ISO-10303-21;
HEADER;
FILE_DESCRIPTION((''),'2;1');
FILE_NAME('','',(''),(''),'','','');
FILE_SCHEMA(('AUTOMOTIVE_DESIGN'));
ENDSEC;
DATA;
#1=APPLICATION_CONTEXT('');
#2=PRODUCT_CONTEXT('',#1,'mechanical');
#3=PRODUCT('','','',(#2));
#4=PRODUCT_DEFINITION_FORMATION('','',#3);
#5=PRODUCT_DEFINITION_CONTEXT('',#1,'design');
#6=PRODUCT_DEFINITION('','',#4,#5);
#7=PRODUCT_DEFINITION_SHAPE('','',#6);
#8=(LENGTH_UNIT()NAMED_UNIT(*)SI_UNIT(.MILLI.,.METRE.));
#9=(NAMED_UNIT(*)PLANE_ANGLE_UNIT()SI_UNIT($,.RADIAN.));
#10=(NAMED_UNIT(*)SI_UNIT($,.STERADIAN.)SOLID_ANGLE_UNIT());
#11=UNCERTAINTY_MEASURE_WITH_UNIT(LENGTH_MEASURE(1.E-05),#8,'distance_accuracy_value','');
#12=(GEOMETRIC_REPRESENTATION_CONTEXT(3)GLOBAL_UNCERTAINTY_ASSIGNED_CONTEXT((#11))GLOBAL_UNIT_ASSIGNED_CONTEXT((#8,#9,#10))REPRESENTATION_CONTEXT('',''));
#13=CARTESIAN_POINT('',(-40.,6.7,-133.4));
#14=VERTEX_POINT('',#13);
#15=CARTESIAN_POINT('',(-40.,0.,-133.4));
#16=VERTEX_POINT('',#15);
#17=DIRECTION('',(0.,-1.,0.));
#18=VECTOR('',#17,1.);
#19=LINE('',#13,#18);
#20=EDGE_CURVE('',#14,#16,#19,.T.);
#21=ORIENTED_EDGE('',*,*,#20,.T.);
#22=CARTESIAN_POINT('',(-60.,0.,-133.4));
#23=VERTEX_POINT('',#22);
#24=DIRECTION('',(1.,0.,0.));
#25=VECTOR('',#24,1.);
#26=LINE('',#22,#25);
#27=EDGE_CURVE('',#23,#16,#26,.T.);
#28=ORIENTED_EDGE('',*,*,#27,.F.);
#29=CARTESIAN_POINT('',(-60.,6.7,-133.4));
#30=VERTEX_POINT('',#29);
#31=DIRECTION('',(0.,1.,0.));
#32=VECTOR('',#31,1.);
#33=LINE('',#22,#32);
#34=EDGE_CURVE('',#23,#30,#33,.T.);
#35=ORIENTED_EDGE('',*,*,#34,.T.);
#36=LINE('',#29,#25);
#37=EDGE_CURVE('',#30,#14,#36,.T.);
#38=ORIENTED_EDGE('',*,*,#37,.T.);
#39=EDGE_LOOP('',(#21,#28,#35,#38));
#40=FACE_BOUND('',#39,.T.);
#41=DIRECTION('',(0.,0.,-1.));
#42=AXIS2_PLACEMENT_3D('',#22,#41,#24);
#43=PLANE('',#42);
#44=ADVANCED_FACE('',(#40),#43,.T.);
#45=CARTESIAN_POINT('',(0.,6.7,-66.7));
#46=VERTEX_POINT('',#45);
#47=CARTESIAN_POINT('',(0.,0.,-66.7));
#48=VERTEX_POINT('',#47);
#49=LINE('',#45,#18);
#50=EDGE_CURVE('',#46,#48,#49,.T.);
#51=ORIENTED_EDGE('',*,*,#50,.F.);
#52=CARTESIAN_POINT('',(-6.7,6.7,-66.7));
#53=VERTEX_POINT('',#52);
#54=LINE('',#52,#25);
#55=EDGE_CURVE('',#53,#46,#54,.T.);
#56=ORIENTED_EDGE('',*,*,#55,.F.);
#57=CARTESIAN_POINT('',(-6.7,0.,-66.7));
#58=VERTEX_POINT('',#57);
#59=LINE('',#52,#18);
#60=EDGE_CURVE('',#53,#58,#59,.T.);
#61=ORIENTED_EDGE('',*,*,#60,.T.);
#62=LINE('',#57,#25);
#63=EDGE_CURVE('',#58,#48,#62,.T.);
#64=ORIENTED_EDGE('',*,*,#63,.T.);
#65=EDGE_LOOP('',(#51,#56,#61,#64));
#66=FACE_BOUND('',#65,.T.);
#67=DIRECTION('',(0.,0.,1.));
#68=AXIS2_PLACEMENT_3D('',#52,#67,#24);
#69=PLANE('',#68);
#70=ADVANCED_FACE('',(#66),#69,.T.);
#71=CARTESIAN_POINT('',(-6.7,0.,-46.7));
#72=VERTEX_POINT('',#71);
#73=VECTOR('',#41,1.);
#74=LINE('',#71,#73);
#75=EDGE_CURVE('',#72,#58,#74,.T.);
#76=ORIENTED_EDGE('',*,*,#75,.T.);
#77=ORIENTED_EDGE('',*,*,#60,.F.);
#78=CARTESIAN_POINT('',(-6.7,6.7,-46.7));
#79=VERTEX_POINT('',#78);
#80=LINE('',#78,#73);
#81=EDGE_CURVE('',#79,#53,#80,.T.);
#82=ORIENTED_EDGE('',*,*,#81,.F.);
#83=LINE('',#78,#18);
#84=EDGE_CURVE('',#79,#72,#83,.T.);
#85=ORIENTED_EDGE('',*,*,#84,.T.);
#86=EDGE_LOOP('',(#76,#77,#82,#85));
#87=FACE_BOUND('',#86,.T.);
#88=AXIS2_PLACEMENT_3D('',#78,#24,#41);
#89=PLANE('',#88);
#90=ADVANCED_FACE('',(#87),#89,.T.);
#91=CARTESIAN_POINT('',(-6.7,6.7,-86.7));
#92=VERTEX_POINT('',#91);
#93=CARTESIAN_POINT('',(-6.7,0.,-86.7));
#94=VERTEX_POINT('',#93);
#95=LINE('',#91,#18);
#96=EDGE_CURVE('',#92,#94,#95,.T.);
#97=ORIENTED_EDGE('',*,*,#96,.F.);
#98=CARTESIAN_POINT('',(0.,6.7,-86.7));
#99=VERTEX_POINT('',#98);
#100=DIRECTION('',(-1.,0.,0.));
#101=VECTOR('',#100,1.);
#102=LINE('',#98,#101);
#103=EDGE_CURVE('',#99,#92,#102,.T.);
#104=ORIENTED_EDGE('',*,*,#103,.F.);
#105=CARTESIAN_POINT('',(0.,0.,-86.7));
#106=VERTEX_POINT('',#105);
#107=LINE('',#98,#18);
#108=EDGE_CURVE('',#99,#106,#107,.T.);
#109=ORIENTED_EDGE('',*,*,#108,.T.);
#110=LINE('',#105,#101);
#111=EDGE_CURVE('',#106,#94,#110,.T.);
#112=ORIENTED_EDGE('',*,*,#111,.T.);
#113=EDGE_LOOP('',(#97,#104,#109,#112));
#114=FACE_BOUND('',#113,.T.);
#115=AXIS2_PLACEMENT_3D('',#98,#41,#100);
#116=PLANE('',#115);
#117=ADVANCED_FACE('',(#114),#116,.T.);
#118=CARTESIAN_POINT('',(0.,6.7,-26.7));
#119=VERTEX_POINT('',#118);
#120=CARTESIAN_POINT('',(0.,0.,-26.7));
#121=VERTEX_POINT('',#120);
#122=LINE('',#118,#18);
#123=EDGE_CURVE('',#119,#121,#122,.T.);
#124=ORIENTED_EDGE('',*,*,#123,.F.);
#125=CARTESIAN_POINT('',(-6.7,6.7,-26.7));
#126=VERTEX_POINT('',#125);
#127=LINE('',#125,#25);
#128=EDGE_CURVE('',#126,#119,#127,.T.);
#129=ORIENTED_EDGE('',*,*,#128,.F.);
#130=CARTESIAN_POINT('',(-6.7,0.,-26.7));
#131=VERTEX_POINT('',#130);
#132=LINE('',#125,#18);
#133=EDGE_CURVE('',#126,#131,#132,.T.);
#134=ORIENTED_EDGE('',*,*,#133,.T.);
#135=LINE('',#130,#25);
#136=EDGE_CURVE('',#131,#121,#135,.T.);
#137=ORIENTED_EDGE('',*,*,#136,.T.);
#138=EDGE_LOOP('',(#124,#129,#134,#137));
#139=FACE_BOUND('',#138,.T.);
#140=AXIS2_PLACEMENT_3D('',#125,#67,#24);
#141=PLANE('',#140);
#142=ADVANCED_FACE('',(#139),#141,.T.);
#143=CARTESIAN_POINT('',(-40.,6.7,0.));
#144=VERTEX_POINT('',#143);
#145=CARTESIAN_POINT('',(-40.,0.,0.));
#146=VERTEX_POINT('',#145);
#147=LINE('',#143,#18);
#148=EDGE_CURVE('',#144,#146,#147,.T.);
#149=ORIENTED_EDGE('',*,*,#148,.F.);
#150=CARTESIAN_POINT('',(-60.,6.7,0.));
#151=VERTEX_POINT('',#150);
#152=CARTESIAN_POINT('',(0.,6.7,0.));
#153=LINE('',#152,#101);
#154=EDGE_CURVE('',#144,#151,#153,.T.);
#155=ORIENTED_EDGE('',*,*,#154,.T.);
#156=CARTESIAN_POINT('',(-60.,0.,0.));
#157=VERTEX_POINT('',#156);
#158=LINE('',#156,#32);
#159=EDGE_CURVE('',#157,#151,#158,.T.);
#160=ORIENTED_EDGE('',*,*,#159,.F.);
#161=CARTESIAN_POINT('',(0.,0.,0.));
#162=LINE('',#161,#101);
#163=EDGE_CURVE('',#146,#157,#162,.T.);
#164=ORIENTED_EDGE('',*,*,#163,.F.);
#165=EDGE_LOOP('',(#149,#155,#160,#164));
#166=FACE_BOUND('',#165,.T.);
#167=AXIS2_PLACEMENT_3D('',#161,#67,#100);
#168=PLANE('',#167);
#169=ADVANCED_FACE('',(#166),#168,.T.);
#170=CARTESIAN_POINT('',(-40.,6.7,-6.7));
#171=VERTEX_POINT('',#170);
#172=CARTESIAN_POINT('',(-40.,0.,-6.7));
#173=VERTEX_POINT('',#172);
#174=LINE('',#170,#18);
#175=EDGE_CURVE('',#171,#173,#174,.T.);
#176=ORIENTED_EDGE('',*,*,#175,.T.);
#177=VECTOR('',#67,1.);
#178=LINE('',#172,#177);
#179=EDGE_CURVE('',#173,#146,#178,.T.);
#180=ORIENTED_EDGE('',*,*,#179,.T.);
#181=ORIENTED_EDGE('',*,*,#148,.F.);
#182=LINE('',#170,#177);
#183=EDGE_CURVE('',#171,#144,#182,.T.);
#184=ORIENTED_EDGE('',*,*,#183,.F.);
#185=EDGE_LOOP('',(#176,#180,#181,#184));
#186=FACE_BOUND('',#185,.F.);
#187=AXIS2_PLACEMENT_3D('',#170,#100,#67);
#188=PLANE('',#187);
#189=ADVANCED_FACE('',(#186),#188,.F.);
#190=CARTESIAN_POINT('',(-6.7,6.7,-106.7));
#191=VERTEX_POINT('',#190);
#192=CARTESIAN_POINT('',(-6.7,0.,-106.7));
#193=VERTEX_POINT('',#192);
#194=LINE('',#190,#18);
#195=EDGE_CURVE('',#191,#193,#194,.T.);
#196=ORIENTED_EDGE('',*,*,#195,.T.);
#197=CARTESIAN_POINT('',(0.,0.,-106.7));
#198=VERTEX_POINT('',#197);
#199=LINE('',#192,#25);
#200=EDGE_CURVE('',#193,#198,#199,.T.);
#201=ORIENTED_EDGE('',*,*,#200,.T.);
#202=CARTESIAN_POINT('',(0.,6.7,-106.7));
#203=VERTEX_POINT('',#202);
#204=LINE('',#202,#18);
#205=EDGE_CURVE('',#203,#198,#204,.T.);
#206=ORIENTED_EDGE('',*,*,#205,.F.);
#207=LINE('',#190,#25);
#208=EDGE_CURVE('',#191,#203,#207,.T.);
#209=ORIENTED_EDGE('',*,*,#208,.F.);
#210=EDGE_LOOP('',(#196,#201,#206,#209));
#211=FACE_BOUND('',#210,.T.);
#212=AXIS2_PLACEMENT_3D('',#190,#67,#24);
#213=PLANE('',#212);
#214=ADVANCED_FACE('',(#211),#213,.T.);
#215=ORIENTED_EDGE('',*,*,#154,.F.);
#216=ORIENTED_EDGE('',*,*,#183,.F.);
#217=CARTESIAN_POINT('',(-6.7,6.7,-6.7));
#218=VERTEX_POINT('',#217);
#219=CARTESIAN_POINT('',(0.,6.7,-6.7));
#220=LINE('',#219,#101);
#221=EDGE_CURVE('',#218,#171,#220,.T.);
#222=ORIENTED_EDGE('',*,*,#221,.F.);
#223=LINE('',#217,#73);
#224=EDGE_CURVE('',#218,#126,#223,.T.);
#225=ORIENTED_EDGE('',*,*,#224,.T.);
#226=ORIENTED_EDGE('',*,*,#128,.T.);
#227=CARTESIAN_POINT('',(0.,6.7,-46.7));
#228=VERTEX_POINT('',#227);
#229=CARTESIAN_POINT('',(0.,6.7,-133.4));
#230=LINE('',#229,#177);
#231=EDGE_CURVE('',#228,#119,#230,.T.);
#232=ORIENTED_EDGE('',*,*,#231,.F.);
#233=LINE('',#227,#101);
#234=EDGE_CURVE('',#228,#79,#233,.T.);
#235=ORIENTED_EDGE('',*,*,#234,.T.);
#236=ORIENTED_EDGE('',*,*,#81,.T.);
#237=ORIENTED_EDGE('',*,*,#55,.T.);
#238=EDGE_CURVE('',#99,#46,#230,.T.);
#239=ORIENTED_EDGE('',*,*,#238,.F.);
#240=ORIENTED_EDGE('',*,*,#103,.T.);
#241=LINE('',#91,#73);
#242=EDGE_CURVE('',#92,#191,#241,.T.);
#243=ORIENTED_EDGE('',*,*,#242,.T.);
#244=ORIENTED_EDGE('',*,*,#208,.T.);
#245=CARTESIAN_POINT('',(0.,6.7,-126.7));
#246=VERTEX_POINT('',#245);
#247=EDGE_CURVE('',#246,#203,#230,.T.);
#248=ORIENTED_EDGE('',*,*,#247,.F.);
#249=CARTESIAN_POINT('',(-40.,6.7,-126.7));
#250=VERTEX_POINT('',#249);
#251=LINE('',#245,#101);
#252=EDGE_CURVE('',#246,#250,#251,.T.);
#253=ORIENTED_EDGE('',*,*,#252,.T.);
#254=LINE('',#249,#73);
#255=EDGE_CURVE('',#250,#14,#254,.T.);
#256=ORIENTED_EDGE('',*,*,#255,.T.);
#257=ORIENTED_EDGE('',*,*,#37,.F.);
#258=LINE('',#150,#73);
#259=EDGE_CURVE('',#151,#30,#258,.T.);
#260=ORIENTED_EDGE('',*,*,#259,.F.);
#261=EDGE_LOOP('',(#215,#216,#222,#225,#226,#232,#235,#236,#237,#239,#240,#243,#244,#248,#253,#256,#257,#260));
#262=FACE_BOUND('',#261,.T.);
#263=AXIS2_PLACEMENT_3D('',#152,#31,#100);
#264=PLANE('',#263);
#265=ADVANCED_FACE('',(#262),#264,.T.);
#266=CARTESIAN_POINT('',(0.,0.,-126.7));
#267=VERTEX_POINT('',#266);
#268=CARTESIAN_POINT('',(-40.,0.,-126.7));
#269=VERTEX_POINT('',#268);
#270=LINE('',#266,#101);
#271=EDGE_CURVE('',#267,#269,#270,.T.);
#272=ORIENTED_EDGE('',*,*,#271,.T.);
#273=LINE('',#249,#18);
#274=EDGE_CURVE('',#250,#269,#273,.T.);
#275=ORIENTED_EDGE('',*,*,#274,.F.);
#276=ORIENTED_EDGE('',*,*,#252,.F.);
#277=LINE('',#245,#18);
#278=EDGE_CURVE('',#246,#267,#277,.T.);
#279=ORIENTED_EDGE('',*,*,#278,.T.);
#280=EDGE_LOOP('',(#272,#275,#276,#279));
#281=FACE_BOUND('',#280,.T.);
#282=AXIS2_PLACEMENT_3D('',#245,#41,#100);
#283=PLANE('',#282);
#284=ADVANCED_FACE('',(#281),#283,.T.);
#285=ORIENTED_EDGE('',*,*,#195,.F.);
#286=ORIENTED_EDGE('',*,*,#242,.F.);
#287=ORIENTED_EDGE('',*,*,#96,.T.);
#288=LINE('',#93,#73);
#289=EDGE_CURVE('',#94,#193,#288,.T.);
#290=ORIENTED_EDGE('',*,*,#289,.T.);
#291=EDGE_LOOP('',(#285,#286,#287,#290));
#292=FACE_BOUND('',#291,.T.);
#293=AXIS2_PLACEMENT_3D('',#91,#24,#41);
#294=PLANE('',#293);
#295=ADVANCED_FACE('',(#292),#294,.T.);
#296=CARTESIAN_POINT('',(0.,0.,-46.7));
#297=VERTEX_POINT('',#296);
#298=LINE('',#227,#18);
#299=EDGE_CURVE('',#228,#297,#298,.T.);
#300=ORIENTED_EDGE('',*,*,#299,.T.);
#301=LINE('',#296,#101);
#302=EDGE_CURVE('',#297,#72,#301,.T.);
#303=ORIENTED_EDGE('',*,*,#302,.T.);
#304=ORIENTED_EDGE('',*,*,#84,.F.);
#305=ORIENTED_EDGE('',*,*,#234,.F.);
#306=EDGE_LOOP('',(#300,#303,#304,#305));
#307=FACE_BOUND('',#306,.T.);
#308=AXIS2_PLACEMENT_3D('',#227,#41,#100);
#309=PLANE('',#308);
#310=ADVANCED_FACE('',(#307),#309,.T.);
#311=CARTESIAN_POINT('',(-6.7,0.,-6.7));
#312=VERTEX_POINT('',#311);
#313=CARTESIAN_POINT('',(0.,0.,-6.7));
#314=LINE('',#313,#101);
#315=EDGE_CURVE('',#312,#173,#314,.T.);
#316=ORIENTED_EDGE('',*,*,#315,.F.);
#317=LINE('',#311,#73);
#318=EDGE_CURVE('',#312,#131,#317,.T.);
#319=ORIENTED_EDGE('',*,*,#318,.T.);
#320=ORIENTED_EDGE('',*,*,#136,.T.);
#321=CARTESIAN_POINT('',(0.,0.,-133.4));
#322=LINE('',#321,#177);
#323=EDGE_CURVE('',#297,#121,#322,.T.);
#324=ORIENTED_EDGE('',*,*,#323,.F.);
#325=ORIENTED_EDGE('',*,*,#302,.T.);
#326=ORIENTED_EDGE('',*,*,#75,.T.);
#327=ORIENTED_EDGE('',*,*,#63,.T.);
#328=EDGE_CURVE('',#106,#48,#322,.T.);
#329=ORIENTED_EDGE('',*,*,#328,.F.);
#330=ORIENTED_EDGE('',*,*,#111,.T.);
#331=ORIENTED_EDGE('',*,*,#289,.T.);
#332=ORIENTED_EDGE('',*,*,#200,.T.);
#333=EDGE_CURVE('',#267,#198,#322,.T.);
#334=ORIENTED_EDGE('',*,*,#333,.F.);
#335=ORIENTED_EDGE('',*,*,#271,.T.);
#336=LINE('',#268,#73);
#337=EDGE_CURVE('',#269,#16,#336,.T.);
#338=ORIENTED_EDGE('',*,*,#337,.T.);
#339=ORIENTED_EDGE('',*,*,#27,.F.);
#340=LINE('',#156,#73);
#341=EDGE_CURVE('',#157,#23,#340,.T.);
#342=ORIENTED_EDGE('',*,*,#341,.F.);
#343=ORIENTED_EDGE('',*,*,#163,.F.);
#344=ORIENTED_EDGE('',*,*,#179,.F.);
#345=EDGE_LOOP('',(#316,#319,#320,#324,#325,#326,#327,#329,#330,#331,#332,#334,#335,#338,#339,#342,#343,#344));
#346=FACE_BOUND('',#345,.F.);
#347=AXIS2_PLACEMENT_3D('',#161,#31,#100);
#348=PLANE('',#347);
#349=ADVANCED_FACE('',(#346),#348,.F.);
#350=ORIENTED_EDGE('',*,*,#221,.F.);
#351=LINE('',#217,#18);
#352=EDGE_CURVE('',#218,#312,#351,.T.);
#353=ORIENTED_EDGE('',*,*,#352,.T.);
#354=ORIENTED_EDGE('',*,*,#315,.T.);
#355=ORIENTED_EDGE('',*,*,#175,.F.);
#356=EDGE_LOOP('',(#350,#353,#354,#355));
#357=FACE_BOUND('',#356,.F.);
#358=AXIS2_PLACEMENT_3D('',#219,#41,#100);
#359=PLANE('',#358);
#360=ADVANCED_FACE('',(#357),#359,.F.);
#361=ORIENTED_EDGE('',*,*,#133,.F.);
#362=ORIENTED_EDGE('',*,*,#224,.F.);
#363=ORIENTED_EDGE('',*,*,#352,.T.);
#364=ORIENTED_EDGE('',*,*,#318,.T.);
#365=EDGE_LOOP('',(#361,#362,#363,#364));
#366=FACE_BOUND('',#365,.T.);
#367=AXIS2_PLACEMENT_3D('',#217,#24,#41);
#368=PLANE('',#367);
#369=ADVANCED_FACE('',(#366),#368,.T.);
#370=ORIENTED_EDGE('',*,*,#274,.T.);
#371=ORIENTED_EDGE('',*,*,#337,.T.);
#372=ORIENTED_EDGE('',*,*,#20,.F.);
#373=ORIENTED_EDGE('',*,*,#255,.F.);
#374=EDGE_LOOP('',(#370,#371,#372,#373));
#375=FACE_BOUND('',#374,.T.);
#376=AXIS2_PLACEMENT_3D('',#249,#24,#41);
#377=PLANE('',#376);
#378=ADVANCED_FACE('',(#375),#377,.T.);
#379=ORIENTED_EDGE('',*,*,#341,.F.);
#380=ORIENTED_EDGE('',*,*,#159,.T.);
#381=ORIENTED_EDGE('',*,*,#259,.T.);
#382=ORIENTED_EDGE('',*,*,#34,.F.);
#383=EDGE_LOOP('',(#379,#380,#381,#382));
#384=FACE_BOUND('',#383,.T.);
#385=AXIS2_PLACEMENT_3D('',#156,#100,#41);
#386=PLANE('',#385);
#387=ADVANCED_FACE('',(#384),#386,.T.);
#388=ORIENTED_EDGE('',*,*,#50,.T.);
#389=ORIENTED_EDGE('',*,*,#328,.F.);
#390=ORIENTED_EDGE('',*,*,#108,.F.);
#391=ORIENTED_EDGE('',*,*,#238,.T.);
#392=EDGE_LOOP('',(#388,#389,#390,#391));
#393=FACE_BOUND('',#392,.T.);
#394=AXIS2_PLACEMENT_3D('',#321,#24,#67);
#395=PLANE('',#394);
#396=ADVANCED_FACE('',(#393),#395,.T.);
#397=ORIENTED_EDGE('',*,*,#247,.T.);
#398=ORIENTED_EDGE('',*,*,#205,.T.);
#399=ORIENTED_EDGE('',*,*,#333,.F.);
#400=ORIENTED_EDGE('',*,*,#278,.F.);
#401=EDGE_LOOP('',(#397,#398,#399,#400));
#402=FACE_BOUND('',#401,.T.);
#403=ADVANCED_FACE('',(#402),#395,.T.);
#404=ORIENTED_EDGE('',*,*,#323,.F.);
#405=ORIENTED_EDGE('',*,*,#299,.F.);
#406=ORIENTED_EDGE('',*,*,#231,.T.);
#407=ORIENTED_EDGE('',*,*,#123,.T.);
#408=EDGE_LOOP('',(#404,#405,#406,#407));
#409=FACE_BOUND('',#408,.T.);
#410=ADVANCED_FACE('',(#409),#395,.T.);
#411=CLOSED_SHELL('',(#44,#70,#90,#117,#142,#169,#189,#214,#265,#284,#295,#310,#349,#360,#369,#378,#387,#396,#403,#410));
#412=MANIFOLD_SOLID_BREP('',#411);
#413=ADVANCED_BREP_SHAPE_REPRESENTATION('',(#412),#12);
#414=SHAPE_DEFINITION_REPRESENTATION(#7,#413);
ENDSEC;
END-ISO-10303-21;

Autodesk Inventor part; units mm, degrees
ref_plane "YZ Plane" through (0, 0, 0) normal (1, 0, 0) x (0, 1, 0)
ref_plane "XZ Plane" through (0, 0, 0) normal (0, 1, 0) x (-1, 0, 0)
ref_plane "XY Plane" through (0, 0, 0) normal (0, 0, 1) x (1, 0, 0)
sketch "Sketch1" plane through (0, 0, 0) normal (0, 1, 0) x (-1, 0, 0)
  line L0 (0, 0) -> (60, 0)
  line L1 (60, 0) -> (60, -133.4)
  line L2 (60, -133.4) -> (0, -133.4)
  line L3 (0, -133.4) -> (0, 0)
  dimension "d0" = 133.4
  dimension "d1" = 60
extrude "Extrusion1" add sketch "Sketch1" along normal blind 6.7
sketch "Sketch2" plane through (0, 6.7, 0) normal (0, 1, 0) x (1, 0, 0)
  line L0 (0, 0) -> (0, 6.7)
  line L1 (0, 0) -> (0, 133.4) projected
  line L2 (0, 6.7) -> (-6.7, 6.7)
  line L3 (-6.7, 6.7) -> (-6.7, 26.7)
  line L4 (-6.7, 26.7) -> (0, 26.7)
  line L5 (0, 26.7) -> (0, 6.7)
  dimension "d4" = 6.7
  dimension "d5" = 6.7
  dimension "d6" = 20
extrude "Extrusion2" cut sketch "Sketch2" against normal blind 6.7
pattern_linear "Rectangular Pattern1" count 3 spacing 40 along (0, 0, -1) of "Extrusion2"
sketch "Sketch3" plane through (0, 6.7, 0) normal (0, 1, 0) x (1, 0, 0)
  line L0 (0, 0) -> (-60, 0) projected
  line L1 (-60, 0) -> (-40, 0)
  line L2 (-40, 0) -> (-20, 0)
  line L3 (0, 6.7) -> (0, 0) projected
  line L4 (-40, 0) -> (0, 0)
  line L5 (0, 0) -> (0, 6.7)
  line L6 (0, 6.7) -> (-40, 6.7)
  line L7 (-40, 6.7) -> (-40, 0)
  line L8 (-60, 133.4) -> (-40, 133.4)
  line L9 (-60, 133.4) -> (0, 133.4) projected
  line L10 (0, 133.4) -> (0, 106.7) projected
  line L11 (-40, 133.4) -> (0, 133.4)
  line L12 (0, 133.4) -> (0, 126.7)
  line L13 (0, 126.7) -> (-40, 126.7)
  line L14 (-40, 126.7) -> (-40, 133.4)
  dimension "d12" = 20
  dimension "d15" = 20
  dimension "d16" = 6.7
extrude "Extrusion3" cut sketch "Sketch3" against normal blind 6.7
properties part number "b_base_support 3"
